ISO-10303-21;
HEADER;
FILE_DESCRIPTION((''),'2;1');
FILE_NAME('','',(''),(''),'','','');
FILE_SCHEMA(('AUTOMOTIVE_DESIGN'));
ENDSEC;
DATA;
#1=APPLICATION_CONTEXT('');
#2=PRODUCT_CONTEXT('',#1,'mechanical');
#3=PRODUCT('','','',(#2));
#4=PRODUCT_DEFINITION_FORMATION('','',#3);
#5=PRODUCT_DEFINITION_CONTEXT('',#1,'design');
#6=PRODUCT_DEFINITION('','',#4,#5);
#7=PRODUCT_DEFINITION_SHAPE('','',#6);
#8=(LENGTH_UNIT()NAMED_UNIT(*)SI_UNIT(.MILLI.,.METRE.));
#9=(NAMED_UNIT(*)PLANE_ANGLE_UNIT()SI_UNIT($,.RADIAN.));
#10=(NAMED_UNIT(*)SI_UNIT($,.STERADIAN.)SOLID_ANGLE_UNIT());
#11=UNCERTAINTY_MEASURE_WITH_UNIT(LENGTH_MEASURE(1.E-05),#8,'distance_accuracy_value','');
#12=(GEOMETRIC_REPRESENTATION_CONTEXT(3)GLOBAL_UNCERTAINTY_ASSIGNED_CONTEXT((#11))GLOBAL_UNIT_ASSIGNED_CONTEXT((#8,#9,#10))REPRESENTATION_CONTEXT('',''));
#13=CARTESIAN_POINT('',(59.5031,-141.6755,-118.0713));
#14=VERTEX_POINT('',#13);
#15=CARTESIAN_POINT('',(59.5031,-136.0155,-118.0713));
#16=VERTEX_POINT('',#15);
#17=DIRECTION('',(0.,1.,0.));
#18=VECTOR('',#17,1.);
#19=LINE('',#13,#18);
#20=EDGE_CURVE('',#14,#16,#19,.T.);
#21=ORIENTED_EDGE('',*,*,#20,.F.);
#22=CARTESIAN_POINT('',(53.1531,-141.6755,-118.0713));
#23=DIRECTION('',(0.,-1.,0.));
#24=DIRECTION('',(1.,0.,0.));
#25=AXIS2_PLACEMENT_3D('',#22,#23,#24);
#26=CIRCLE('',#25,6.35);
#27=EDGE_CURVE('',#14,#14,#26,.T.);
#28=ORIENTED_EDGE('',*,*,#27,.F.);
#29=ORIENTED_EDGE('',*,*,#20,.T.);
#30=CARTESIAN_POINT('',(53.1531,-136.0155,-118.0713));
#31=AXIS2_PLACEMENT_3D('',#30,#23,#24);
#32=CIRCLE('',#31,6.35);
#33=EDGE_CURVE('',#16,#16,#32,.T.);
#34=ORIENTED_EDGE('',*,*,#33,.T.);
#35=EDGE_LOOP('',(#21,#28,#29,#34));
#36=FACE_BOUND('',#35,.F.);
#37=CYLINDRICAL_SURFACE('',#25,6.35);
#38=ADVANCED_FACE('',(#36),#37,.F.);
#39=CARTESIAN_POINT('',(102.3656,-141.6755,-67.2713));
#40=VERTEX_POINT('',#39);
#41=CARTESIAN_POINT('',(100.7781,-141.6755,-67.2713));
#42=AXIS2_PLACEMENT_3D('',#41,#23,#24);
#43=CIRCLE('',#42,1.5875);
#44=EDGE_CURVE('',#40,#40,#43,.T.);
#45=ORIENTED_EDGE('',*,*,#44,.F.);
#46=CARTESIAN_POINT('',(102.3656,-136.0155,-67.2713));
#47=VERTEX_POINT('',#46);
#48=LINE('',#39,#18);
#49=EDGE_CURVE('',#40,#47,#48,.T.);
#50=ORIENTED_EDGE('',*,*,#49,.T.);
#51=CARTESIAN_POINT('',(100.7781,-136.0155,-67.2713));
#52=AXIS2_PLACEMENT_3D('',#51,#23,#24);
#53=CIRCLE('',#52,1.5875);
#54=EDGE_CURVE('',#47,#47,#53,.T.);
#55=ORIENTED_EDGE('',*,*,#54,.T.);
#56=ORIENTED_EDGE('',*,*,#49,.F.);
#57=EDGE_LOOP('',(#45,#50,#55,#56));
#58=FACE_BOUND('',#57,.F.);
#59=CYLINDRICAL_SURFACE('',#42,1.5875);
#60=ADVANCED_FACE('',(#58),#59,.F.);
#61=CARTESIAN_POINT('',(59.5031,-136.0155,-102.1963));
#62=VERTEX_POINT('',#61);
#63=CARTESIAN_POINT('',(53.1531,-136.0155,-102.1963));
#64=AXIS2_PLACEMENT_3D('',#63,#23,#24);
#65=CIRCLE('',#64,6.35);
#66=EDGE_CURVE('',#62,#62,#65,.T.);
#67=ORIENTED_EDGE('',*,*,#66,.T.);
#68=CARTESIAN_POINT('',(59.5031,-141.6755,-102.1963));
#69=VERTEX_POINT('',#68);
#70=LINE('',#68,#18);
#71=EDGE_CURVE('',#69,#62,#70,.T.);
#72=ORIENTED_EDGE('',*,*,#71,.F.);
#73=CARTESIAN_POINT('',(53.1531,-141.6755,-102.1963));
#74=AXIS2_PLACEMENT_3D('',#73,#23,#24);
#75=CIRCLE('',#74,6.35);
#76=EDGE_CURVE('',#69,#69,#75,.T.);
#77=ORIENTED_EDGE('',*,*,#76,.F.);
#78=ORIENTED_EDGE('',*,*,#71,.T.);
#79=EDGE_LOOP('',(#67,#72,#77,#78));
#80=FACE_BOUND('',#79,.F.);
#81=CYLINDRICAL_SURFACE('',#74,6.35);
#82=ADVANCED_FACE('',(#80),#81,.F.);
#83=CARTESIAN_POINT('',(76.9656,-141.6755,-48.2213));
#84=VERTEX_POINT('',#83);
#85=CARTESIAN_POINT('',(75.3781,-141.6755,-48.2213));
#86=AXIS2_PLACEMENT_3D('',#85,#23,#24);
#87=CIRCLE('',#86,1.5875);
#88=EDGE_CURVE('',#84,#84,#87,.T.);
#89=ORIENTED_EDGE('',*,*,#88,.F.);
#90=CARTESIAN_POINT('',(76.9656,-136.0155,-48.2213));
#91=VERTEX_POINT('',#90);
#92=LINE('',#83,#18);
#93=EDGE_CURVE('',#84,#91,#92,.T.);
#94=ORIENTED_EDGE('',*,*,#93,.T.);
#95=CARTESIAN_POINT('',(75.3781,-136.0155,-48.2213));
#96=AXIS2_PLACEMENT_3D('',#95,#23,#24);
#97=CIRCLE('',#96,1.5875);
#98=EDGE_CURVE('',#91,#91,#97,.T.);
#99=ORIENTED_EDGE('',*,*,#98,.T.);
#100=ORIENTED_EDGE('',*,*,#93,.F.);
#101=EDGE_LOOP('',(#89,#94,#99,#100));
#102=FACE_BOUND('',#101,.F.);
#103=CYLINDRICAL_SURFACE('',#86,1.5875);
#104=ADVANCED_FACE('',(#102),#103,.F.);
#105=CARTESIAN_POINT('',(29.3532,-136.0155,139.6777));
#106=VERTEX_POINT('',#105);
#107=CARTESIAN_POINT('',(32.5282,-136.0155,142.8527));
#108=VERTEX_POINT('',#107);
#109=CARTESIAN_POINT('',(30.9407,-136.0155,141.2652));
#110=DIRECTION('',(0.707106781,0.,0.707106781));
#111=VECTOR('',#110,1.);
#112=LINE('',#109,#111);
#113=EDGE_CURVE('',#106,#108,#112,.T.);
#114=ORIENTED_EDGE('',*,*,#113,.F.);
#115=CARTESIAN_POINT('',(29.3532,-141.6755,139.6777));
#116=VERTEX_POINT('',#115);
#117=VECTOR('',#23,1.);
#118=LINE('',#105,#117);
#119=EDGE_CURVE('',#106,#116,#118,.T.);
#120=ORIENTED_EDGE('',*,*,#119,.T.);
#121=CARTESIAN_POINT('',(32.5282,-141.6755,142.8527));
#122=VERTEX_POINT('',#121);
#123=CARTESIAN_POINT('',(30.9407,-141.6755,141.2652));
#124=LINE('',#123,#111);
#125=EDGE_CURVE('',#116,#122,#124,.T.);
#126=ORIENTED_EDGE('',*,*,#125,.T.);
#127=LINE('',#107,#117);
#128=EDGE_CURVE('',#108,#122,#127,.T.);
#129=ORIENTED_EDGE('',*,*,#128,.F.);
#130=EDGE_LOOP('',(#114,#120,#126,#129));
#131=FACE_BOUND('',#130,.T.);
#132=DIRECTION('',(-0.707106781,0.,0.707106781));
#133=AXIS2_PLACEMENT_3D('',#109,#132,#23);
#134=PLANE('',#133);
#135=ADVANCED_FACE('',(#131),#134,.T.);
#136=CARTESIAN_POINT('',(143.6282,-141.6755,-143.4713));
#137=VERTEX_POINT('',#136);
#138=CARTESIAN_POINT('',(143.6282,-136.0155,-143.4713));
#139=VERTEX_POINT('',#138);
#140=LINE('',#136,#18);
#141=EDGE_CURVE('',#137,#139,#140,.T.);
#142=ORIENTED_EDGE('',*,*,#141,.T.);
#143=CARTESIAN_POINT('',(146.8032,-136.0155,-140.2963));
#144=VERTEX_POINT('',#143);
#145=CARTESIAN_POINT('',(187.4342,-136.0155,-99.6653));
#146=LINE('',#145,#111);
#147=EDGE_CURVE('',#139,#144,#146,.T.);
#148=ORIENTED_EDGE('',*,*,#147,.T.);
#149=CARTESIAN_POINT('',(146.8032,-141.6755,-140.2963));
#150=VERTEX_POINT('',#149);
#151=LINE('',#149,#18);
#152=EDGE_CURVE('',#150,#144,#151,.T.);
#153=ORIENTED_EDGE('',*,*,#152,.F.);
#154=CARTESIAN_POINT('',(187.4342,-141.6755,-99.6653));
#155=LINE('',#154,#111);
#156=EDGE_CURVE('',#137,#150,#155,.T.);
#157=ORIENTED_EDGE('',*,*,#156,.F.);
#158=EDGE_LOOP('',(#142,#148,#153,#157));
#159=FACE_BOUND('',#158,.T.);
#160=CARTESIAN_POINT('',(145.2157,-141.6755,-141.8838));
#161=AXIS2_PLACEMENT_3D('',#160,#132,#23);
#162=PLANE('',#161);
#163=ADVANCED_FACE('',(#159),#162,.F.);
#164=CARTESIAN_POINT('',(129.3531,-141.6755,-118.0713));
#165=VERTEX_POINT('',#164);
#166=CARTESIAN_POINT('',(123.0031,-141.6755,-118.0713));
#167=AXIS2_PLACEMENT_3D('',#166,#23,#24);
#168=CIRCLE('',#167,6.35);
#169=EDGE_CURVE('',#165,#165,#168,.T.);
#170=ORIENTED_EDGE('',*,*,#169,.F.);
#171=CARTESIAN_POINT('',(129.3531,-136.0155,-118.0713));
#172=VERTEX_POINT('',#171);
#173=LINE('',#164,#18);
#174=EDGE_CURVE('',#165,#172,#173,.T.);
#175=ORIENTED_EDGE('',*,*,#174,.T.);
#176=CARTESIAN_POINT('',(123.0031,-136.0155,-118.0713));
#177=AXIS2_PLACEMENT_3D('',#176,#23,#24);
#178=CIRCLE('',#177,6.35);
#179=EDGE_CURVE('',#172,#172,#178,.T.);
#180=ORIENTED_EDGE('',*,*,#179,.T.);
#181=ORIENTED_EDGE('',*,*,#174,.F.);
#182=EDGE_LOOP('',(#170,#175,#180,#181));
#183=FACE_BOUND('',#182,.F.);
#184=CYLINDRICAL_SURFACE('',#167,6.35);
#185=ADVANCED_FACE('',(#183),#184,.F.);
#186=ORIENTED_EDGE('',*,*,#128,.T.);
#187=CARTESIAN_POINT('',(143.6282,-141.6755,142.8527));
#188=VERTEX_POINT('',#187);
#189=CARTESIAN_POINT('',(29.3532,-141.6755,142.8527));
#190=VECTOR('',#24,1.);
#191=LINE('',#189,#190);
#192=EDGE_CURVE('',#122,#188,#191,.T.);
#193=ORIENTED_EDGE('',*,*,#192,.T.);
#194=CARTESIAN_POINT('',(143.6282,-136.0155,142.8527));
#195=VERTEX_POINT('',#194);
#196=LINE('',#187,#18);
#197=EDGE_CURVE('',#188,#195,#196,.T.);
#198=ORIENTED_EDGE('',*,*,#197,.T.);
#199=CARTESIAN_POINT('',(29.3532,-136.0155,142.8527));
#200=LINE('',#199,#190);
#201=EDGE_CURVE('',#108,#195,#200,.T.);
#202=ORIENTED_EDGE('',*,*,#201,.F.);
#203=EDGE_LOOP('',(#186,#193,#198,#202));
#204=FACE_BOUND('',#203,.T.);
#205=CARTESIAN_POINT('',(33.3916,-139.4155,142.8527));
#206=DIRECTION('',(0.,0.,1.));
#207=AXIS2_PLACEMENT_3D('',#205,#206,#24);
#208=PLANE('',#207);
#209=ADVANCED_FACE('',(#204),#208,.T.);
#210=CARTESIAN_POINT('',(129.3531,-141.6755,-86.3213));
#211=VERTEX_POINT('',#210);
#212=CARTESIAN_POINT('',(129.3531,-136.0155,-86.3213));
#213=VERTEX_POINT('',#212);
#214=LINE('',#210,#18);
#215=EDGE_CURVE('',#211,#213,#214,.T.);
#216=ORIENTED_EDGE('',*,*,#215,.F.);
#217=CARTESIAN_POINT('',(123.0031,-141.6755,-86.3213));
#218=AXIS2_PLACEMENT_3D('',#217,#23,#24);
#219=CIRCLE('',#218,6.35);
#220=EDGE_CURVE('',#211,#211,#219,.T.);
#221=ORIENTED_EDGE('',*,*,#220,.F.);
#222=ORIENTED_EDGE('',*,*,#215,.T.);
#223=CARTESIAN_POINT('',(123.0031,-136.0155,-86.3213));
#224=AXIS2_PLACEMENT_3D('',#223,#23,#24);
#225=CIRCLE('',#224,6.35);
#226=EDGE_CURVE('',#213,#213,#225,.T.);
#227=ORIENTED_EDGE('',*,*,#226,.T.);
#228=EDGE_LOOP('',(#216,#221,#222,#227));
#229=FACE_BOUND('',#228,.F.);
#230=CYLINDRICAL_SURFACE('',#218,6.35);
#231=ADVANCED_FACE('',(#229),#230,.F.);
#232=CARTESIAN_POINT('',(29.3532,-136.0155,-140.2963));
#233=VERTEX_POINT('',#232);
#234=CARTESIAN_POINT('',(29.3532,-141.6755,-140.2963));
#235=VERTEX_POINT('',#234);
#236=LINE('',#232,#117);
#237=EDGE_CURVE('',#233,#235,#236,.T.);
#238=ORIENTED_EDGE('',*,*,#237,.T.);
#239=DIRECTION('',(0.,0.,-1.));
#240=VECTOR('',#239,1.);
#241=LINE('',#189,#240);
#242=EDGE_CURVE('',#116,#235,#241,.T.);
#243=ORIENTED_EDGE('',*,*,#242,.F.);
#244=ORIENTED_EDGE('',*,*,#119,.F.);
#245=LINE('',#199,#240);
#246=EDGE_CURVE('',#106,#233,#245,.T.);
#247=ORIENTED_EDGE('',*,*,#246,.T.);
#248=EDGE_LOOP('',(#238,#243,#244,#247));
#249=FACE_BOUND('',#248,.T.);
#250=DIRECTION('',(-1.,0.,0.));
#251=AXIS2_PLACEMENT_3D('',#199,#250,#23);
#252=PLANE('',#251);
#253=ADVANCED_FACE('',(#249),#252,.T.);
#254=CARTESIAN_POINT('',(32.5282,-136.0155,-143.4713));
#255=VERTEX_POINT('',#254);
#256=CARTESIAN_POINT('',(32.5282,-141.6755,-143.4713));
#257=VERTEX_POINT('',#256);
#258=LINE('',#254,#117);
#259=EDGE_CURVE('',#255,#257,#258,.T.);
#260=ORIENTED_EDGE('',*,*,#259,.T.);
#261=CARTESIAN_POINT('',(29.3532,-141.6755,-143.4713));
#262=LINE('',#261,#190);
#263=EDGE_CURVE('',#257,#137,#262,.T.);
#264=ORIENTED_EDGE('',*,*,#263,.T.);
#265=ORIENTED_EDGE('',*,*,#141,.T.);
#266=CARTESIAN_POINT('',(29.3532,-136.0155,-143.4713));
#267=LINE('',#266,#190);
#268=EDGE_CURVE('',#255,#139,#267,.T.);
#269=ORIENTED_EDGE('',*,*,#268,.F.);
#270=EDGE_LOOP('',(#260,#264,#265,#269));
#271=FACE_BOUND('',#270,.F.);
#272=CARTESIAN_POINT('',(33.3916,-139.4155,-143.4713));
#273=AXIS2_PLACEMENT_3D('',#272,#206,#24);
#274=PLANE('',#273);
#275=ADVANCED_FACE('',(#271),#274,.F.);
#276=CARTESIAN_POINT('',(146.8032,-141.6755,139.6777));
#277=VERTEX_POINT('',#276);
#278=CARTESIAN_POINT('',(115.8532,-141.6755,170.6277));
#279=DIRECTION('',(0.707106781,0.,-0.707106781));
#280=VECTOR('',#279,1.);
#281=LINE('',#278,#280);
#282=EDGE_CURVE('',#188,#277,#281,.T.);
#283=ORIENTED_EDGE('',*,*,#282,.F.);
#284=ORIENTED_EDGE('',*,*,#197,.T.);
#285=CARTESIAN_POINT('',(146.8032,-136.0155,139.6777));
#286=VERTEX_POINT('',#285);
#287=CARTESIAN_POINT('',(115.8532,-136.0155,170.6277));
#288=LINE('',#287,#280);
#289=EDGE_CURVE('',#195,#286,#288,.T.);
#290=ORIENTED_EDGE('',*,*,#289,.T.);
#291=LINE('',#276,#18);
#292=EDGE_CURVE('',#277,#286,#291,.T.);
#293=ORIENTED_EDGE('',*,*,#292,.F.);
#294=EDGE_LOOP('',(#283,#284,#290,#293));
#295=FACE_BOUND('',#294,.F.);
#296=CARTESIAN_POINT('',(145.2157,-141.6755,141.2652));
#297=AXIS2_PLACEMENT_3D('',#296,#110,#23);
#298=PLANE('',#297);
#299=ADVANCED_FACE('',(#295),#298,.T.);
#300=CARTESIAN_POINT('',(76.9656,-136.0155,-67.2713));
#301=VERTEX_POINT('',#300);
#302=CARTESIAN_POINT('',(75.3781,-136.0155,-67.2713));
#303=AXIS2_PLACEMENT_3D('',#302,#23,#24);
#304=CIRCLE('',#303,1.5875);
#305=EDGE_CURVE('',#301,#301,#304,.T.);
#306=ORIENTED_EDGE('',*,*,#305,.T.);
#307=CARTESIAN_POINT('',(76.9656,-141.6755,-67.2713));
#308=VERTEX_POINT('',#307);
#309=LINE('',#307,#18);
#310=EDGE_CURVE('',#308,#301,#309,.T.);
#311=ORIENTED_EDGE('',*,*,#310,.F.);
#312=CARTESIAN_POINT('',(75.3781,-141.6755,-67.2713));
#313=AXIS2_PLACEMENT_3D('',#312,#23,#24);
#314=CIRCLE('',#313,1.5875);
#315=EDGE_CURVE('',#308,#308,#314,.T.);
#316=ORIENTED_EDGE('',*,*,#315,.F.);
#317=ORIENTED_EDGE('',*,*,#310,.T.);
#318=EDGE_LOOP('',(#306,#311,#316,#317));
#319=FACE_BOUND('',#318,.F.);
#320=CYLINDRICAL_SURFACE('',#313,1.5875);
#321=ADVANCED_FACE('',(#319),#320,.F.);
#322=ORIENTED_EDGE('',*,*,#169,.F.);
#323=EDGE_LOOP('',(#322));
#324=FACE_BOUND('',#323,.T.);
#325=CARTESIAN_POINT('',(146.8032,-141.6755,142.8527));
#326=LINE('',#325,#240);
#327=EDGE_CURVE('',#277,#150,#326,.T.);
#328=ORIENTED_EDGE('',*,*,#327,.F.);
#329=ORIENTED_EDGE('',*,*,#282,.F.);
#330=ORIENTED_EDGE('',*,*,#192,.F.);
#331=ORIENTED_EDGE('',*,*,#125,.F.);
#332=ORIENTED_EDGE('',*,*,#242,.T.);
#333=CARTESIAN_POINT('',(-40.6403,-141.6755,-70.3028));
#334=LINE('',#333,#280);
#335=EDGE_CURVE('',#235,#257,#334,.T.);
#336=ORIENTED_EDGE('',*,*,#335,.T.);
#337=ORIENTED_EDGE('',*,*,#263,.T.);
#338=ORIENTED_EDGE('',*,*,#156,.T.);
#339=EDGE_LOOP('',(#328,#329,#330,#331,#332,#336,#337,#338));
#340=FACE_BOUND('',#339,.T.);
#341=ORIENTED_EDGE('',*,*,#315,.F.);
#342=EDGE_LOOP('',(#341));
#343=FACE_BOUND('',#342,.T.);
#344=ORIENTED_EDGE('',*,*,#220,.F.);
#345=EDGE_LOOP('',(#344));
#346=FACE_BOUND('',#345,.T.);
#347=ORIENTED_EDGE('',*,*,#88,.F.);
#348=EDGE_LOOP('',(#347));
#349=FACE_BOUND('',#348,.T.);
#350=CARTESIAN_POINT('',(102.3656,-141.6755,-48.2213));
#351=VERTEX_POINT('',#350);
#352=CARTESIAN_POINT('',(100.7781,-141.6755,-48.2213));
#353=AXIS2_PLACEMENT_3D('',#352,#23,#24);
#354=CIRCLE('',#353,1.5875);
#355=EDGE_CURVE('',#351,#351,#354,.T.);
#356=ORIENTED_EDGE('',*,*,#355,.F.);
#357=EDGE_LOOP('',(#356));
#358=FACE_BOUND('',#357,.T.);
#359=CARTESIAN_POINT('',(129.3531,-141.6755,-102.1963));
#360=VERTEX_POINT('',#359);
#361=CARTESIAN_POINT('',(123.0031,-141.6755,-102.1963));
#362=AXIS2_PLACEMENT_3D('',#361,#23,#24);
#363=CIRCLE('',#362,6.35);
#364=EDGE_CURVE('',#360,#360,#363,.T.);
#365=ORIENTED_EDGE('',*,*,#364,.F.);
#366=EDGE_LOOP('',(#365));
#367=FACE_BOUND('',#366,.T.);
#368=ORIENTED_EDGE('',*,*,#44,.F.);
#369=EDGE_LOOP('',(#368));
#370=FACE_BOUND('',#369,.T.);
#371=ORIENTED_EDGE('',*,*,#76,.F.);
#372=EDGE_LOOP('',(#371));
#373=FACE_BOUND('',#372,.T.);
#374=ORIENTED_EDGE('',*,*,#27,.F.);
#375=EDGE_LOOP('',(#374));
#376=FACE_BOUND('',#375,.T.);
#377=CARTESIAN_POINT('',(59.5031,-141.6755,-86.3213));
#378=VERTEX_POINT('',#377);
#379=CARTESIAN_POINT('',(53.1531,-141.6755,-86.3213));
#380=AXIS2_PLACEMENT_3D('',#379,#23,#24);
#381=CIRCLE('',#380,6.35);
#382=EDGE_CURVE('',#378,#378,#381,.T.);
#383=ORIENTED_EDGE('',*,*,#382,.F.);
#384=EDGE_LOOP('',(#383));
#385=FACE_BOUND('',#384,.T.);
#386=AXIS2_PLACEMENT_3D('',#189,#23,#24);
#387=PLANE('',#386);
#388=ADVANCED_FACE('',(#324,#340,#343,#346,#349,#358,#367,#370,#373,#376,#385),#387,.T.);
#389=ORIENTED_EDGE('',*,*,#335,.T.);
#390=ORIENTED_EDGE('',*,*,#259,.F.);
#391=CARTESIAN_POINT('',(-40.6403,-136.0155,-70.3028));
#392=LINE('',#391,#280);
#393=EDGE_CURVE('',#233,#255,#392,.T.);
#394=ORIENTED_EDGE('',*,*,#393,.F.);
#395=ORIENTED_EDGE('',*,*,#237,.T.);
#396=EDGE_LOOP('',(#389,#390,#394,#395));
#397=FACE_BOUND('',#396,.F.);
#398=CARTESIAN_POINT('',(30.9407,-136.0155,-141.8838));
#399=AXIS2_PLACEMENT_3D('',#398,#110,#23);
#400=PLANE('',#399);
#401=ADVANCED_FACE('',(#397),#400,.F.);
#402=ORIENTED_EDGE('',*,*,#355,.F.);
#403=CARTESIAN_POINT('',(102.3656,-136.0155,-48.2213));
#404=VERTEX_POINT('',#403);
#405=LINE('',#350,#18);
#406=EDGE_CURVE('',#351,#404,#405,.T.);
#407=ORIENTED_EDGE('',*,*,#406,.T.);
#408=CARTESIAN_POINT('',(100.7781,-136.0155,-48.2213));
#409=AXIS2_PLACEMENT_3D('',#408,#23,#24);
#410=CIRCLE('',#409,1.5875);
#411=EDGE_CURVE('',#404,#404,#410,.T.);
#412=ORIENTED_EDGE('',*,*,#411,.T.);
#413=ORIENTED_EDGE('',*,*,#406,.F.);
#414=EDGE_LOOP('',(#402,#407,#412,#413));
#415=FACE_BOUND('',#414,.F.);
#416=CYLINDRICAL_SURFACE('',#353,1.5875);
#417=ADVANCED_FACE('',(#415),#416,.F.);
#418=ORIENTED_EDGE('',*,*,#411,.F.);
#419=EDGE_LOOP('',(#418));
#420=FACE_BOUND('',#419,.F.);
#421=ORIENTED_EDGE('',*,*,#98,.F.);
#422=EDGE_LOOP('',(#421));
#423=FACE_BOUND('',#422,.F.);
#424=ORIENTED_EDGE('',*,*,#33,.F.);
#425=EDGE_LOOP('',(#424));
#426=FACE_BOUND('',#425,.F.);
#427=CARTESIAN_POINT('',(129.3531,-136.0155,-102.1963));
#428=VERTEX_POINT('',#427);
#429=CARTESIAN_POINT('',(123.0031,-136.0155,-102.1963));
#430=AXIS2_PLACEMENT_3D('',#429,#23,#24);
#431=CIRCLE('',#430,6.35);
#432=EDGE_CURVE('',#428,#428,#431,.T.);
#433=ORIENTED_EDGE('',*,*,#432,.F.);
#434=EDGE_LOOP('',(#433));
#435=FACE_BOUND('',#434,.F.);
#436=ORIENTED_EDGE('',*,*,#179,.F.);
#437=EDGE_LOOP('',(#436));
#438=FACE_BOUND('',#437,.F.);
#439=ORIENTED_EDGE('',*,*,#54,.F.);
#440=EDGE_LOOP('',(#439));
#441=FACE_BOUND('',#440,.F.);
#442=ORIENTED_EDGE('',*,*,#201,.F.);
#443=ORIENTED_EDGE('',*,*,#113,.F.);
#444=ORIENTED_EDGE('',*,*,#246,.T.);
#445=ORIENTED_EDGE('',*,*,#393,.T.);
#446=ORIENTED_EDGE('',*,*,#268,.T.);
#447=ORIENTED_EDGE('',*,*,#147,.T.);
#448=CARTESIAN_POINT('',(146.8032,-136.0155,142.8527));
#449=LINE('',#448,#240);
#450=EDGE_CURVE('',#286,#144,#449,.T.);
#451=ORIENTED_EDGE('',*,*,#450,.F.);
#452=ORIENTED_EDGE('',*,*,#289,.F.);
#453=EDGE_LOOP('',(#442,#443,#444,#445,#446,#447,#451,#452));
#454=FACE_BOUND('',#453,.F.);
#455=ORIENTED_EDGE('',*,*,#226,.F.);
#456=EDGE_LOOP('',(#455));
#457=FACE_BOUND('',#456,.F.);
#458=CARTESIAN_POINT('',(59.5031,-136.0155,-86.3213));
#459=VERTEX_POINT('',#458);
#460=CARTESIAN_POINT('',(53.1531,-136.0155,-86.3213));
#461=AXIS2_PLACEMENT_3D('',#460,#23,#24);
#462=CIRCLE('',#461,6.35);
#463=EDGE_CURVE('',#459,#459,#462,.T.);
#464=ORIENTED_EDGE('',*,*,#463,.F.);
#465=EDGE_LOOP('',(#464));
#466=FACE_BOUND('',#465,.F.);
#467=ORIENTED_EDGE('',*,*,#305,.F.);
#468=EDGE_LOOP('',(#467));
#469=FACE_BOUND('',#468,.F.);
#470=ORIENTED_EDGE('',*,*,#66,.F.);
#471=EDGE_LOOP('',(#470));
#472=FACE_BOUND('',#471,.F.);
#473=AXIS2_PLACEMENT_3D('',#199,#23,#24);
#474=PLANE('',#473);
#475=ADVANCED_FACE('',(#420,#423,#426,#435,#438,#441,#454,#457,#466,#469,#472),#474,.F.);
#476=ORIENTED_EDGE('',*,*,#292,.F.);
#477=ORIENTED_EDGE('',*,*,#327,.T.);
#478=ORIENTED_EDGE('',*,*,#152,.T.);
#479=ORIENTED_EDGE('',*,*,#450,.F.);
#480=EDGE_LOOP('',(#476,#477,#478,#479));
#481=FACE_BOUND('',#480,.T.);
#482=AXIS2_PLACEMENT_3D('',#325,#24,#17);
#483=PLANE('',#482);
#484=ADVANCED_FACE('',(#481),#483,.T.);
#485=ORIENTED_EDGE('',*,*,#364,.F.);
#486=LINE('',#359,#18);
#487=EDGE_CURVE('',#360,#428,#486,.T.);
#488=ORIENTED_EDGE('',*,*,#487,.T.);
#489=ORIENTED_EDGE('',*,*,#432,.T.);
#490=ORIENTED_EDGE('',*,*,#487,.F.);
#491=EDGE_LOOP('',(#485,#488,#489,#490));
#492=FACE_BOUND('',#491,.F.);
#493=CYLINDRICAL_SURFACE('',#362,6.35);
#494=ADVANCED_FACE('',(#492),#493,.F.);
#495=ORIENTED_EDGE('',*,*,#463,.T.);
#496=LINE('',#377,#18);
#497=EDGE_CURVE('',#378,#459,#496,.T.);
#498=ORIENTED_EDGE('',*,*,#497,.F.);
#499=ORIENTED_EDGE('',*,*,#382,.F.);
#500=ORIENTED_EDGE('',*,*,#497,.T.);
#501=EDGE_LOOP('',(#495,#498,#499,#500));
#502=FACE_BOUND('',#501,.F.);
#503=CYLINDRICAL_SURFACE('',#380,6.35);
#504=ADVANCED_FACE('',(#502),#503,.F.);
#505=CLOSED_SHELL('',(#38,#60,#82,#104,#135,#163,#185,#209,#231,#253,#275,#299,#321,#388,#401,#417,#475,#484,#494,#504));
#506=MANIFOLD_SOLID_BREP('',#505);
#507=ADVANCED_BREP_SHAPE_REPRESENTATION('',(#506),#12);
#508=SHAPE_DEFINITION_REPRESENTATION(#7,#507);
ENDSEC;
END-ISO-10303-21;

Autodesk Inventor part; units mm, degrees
ref_plane "YZ Plane" through (0, 0, 0) normal (1, 0, 0) x (0, 1, 0)
ref_plane "XZ Plane" through (0, 0, 0) normal (0, 1, 0) x (-1, 0, 0)
ref_plane "XY Plane" through (0, 0, 0) normal (0, 0, 1) x (1, 0, 0)
ref_plane "Work Plane1" through (33.3916, -139.4155, 142.8527) normal (0, 0, 1) x (1, 0, 0)
sketch "Sketch1" plane through (33.3916, -139.4155, 142.8527) normal (0, 0, 1) x (1, 0, 0)
  line L0 (-4.0384, 3.4) -> (113.4116, 3.4)
  line L1 (54.6866, 21.1837) -> (54.6866, -18.7057) construction
  line L2 (-4.0384, 3.4) -> (-4.0384, -2.26)
  line L3 (-4.0384, -2.26) -> (113.4116, -2.26)
  line L4 (113.4116, -2.26) -> (113.4116, 3.4)
  dimension "d0" = 5.66
extrude "Extrusion1" add sketch "Sketch1" against normal blind 286.324
sketch "Sketch2" plane through (29.3531, -141.6755, 142.8527) normal (0, -1, 0) x (1, 0, 0)
  line L0 (117.45, 0) -> (0, 0) projected
  line L1 (117.45, -286.324) -> (0, -286.324) projected
  line L2 (58.725, 0) -> (58.725, -286.324) construction
  line L3 (46.025, -191.074) -> (71.425, -191.074) construction
  line L4 (71.425, -191.074) -> (71.425, -210.124) construction
  line L5 (71.425, -210.124) -> (46.025, -210.124) construction
  line L6 (46.025, -210.124) -> (46.025, -191.074) construction
  circle A0 centre (46.025, -191.074) radius 1.5875
  circle A1 centre (71.425, -191.074) radius 1.5875
  circle A2 centre (71.425, -210.124) radius 1.5875
  circle A3 centre (46.025, -210.124) radius 1.5875
  circle A4 centre (23.8, -260.924) radius 6.35
  circle A5 centre (23.8, -245.049) radius 6.35
  circle A6 centre (23.8, -229.174) radius 6.35
  circle A7 centre (93.65, -260.924) radius 6.35
  circle A8 centre (93.65, -245.049) radius 6.35
  circle A9 centre (93.65, -229.174) radius 6.35
  point P0 (-29.3531, -142.8527)
  dimension "d4" = 25.4
  dimension "d5" = 19.05
  dimension "d6" = 76.2
  dimension "d7" = 12.7
  dimension "d8" = 3.175
  dimension "d9" = 3.175
  dimension "d10" = 3.175
  dimension "d11" = 3.175
  dimension "d12" = 12.7
  dimension "d13" = 12.7
  dimension "d14" = 15.875
  dimension "d15" = 25.4
  dimension "d16" = 12.7
  dimension "d17" = 15.875
  dimension "d18" = 12.7
  dimension "d19" = 12.7
  dimension "d20" = 12.7
  dimension "d21" = 15.875
  dimension "d22" = 15.875
  dimension "d23" = 25.4
  dimension "d24" = 34.925
  dimension "d25" = 34.925
extrude "Extrusion2" cut sketch "Sketch2" against normal blind 5.66
chamfer "Chamfer1" distance 3.175 angle 45 4 edges at (146.8031, -138.8455, 142.8527) (29.3531, -138.8455, 142.8527) (29.3531, -138.8455, -143.4713) (146.8031, -138.8455, -143.4713)
properties part number "Z-table"
